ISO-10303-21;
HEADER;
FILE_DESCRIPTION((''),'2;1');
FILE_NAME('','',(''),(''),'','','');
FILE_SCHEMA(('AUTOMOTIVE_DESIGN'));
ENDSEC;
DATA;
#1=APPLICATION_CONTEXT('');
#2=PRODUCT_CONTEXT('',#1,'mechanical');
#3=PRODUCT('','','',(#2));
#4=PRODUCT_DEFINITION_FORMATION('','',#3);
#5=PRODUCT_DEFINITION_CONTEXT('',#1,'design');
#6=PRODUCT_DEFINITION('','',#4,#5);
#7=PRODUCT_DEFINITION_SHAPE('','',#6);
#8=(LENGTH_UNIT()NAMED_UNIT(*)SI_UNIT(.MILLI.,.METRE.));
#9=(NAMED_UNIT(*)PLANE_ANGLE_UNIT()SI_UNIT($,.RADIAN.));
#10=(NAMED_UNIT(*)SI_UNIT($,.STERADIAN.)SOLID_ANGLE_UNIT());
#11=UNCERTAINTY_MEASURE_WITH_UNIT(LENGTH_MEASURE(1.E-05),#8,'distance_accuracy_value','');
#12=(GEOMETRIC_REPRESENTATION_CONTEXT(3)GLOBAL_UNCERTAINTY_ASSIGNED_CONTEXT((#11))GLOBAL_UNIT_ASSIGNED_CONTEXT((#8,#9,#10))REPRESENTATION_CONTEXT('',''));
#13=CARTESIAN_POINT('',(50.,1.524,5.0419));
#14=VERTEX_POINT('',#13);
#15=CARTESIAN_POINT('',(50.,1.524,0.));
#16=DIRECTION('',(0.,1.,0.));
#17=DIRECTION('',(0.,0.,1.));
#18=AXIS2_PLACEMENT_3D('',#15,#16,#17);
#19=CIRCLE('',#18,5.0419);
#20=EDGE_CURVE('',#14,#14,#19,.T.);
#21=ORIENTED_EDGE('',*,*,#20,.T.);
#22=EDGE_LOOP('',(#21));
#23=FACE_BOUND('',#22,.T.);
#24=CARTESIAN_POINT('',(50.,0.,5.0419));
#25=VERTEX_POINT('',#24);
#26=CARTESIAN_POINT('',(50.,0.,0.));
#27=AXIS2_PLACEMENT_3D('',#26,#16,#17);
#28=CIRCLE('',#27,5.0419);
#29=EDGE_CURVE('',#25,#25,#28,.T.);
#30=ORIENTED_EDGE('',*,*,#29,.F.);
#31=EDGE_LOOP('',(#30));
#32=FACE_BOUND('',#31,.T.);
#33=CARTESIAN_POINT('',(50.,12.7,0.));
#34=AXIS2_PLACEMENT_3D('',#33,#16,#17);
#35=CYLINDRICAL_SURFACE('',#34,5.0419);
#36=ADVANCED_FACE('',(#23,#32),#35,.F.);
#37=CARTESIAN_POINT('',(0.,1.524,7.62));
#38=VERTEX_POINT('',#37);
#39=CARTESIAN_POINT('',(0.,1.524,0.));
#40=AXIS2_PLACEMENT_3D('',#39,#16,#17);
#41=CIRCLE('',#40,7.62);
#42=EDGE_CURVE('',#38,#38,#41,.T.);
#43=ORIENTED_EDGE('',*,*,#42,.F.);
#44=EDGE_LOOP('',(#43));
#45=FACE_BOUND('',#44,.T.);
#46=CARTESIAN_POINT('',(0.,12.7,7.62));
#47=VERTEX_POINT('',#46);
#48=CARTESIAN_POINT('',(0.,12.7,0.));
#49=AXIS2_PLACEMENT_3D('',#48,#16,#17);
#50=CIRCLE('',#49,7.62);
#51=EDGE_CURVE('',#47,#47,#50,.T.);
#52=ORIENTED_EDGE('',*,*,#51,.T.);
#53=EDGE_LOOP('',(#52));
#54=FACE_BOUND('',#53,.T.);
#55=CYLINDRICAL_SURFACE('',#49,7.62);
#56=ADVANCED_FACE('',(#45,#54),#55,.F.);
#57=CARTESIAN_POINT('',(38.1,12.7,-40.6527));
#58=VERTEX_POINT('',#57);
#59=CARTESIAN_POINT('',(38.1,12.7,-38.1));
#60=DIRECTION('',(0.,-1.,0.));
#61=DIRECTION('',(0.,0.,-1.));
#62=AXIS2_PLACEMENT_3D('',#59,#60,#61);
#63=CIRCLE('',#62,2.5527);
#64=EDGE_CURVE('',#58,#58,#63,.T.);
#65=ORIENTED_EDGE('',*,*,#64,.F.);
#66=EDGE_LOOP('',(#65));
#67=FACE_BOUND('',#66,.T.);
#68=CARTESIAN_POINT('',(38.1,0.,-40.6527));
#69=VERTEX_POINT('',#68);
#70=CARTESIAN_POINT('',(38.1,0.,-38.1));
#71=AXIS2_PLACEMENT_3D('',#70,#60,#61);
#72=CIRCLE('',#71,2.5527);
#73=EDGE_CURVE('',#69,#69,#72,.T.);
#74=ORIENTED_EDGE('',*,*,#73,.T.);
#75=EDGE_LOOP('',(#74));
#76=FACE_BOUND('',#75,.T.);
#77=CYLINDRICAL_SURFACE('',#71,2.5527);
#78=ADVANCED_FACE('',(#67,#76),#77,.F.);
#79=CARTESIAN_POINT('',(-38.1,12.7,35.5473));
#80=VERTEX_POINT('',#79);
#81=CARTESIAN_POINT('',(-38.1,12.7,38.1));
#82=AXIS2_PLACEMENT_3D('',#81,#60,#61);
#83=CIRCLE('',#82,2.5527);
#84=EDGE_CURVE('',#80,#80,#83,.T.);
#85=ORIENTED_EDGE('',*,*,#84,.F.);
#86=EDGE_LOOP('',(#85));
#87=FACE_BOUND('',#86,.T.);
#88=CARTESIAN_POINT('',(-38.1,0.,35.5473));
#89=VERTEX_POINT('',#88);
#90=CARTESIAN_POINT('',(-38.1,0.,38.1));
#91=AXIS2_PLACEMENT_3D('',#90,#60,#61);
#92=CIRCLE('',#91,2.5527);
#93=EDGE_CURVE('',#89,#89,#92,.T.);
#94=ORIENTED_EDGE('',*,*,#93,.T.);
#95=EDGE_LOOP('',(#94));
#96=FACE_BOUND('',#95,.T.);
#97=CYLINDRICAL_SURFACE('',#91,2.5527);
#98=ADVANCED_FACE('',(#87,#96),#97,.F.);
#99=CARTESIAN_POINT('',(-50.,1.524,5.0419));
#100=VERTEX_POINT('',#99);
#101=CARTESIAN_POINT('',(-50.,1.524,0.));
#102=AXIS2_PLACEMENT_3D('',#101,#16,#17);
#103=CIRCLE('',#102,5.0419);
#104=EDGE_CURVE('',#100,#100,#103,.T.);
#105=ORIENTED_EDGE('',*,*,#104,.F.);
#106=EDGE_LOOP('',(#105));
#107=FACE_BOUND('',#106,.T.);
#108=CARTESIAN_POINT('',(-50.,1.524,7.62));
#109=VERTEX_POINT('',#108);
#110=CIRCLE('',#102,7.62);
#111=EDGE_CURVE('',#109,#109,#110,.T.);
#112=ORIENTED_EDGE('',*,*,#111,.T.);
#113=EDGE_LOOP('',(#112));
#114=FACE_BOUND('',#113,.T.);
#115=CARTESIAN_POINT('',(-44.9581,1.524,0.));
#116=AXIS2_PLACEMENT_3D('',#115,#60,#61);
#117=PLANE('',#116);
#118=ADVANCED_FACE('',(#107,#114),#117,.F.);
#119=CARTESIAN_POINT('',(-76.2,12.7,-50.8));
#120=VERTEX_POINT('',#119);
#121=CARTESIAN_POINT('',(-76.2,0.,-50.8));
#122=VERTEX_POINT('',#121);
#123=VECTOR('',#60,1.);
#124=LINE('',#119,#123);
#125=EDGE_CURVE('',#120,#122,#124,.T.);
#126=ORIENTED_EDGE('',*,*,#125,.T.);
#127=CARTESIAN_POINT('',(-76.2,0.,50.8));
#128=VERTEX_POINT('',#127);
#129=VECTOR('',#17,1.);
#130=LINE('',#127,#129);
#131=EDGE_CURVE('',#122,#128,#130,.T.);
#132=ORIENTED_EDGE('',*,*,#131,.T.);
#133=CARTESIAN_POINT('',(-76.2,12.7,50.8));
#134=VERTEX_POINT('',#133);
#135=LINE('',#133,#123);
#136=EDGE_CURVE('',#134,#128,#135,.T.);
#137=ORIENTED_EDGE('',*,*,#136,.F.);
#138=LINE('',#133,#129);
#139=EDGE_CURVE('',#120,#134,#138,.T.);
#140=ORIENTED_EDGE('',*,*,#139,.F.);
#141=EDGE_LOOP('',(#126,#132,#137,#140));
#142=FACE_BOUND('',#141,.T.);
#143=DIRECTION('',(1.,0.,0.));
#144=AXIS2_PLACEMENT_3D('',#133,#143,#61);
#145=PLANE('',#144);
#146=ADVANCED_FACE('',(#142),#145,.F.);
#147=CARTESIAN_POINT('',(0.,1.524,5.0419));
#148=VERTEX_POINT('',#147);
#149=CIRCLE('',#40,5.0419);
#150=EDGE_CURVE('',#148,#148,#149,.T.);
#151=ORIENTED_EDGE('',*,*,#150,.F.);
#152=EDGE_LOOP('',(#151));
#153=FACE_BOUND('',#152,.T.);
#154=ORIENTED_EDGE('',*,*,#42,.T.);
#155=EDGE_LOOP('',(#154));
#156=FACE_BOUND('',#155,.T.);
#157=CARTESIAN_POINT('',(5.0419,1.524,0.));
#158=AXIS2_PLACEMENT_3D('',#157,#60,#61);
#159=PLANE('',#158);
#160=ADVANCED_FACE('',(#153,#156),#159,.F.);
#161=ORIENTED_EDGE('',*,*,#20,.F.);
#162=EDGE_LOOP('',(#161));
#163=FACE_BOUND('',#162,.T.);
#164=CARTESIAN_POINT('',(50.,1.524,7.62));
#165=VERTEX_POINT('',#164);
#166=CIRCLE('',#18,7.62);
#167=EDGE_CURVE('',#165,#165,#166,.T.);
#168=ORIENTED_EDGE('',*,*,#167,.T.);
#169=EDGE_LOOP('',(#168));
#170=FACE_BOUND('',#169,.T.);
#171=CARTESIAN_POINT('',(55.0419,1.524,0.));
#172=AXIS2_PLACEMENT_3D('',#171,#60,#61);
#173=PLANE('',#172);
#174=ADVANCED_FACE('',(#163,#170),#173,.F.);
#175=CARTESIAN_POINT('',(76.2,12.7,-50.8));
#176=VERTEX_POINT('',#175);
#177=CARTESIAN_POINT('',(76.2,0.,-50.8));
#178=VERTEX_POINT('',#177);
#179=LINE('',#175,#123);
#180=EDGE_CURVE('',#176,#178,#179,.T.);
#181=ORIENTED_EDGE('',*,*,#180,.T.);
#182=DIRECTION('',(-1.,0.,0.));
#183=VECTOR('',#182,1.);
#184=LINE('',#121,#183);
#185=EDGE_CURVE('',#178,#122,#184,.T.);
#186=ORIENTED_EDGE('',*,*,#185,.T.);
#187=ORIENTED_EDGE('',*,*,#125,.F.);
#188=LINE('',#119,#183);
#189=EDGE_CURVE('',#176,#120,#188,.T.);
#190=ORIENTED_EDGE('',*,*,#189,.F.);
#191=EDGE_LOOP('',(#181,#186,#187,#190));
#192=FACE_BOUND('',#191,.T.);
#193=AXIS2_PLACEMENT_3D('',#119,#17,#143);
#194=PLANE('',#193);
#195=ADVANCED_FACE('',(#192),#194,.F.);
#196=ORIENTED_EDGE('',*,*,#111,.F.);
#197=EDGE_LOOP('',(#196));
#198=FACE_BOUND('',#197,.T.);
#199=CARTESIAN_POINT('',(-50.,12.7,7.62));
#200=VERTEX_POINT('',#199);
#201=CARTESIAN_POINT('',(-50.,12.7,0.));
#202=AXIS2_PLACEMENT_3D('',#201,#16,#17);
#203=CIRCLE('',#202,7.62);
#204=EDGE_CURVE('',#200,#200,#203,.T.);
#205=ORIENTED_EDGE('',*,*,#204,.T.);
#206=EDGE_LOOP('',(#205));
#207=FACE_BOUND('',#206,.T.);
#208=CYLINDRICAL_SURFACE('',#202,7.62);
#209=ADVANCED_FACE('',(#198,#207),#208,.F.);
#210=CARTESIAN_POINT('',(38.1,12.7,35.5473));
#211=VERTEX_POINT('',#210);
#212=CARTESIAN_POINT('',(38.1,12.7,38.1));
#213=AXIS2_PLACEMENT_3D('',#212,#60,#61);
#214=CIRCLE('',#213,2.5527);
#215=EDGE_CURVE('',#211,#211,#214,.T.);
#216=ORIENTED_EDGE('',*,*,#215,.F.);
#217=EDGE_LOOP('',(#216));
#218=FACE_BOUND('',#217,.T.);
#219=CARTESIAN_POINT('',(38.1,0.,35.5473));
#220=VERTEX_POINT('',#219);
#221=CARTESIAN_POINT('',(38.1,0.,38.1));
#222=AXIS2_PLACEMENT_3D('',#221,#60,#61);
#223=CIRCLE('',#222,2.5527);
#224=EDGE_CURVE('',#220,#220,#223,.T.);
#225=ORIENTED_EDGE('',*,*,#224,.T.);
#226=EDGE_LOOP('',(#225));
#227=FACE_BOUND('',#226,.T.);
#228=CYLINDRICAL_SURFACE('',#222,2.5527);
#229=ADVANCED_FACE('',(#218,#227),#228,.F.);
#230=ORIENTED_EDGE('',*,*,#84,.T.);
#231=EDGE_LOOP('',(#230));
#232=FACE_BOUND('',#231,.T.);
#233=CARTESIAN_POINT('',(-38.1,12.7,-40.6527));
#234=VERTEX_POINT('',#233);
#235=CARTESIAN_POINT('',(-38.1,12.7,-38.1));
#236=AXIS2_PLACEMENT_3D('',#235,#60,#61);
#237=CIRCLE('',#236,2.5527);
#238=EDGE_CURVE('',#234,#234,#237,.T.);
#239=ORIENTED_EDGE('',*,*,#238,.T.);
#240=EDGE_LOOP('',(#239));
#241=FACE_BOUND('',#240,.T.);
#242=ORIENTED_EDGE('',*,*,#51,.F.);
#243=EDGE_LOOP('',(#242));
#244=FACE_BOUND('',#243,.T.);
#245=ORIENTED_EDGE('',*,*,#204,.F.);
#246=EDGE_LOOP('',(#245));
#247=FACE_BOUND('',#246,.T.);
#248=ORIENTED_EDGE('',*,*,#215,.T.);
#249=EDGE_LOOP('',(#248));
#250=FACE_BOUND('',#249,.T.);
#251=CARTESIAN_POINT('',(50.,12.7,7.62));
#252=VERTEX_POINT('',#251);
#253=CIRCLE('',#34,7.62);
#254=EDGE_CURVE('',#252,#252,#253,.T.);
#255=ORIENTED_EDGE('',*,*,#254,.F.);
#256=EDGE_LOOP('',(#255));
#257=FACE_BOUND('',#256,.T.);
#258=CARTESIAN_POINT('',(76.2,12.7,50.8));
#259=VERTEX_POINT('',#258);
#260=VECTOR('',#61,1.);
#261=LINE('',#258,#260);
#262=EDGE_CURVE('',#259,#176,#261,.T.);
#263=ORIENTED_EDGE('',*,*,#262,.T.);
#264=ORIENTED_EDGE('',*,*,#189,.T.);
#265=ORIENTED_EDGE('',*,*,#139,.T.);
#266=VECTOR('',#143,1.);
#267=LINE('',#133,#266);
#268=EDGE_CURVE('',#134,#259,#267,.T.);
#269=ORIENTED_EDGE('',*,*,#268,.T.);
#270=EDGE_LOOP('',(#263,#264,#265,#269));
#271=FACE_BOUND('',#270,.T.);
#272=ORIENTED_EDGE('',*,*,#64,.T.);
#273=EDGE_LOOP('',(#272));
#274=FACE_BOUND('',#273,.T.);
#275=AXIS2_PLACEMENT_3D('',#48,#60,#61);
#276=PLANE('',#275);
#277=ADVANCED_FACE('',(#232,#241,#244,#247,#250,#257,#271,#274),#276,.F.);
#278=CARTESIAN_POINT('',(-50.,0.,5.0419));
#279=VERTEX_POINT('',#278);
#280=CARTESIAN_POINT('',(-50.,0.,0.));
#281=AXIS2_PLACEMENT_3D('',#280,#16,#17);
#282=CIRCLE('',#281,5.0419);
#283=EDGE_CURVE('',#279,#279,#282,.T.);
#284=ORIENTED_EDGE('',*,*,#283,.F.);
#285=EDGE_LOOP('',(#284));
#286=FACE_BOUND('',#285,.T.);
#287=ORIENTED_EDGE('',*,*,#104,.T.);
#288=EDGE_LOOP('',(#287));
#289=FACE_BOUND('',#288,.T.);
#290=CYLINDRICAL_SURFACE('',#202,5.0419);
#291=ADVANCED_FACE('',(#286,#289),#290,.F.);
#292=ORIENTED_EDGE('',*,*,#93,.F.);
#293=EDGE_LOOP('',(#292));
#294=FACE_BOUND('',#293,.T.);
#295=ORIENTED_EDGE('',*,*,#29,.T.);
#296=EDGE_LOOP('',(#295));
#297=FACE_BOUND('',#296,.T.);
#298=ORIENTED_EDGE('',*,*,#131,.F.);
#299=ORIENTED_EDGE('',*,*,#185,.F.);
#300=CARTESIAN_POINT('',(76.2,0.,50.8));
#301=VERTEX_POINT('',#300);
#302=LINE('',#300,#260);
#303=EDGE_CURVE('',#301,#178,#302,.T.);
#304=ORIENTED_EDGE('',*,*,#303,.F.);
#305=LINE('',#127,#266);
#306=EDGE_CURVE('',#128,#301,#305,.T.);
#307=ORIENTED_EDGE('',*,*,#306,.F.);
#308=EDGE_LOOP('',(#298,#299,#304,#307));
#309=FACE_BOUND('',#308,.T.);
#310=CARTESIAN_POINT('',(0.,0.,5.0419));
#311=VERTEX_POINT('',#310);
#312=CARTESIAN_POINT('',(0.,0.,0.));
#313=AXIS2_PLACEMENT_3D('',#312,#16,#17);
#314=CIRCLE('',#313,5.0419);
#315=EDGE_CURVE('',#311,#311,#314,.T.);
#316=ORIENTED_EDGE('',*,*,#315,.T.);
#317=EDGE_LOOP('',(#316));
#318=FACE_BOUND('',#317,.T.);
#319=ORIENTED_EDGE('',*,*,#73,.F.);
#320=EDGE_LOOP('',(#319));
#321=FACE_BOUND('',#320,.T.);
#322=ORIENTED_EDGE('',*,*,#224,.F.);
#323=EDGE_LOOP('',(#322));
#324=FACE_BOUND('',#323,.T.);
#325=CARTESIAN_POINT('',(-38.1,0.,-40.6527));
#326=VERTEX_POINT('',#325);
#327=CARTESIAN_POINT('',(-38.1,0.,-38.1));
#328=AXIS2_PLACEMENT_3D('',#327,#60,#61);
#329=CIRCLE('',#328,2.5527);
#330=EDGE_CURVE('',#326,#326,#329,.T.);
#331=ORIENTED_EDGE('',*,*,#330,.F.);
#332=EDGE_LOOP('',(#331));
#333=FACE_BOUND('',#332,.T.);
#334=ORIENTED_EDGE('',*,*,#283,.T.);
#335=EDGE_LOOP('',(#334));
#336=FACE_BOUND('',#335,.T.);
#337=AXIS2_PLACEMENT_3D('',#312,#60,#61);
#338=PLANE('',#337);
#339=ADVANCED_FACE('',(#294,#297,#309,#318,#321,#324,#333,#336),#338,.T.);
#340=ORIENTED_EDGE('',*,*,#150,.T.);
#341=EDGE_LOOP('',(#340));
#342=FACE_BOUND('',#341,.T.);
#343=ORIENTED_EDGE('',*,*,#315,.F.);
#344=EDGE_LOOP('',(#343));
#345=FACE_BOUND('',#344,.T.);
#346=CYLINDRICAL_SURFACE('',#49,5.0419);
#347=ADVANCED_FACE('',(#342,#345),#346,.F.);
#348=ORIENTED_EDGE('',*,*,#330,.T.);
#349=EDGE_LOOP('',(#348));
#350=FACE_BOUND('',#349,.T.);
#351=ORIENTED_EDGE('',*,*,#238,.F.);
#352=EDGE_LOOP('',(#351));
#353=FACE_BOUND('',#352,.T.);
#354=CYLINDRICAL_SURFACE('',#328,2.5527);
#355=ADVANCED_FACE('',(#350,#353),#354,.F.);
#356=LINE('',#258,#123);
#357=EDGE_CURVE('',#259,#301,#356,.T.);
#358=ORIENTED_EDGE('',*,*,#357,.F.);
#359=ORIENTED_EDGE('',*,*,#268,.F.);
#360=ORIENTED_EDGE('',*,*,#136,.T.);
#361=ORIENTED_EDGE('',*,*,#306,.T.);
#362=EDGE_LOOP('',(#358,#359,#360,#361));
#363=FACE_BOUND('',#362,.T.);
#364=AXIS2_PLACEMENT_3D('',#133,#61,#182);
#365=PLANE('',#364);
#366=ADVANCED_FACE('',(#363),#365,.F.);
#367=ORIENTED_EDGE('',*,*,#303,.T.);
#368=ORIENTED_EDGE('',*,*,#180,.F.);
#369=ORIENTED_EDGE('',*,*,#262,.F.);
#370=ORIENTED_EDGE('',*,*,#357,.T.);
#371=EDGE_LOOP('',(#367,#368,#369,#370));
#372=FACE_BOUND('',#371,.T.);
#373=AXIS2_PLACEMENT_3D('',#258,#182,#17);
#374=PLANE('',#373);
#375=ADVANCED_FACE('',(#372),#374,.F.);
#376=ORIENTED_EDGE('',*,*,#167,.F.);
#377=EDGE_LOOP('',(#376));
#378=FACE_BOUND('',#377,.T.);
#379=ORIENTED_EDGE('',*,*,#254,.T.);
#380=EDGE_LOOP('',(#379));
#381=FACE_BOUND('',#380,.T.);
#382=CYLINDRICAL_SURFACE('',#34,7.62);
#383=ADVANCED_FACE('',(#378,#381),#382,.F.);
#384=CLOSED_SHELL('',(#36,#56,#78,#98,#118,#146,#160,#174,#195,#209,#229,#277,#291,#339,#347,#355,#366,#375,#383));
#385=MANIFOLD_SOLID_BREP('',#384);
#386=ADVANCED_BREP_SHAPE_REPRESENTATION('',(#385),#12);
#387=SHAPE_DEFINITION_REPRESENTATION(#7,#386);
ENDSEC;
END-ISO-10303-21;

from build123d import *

# Parameters (mm, degrees)
SKETCH1_W                                = 152.4
SKETCH1_H                                = 101.6
BOSS_EXTRUDE1_DEPTH                      = 12.7
CBORE_FOR_3_8_HEX_HEAD_BOLT1_D           = 10.0838
CBORE_FOR_3_8_HEX_HEAD_BOLT1_CBORE_D     = 15.24
CBORE_FOR_3_8_HEX_HEAD_BOLT1_CBORE_DEPTH = 11.176
TAP_DRILL_FOR_1_4_20_TAP1_D              = 5.1054


with BuildPart() as part:
    # Sketch1 → Boss-Extrude1 (new body)
    with BuildSketch(Plane(origin=(0, 0, 0), x_dir=(1, 0, 0), z_dir=(0, 1, 0))):
        Rectangle(SKETCH1_W, SKETCH1_H)
    extrude(amount=BOSS_EXTRUDE1_DEPTH)

    # CBORE for 3/8 Hex Head Bolt1 (through all)
    with Locations(Plane(origin=(0, 12.7, 0), x_dir=(1, 0, 0), z_dir=(0, 1, 0))):
        with Locations((-50.000000076, 0), (50.000000076, 0), (0, 0)):
            CounterBoreHole(CBORE_FOR_3_8_HEX_HEAD_BOLT1_D / 2, CBORE_FOR_3_8_HEX_HEAD_BOLT1_CBORE_D / 2, CBORE_FOR_3_8_HEX_HEAD_BOLT1_CBORE_DEPTH)

    # Tap Drill for 1/4-20 Tap1 (through all)
    with Locations(Plane.XZ):
        with Locations((-38.1, -38.1), (38.1, -38.1), (38.1, 38.1), (-38.1, 38.1)):
            Hole(TAP_DRILL_FOR_1_4_20_TAP1_D / 2)


solid = part.part
